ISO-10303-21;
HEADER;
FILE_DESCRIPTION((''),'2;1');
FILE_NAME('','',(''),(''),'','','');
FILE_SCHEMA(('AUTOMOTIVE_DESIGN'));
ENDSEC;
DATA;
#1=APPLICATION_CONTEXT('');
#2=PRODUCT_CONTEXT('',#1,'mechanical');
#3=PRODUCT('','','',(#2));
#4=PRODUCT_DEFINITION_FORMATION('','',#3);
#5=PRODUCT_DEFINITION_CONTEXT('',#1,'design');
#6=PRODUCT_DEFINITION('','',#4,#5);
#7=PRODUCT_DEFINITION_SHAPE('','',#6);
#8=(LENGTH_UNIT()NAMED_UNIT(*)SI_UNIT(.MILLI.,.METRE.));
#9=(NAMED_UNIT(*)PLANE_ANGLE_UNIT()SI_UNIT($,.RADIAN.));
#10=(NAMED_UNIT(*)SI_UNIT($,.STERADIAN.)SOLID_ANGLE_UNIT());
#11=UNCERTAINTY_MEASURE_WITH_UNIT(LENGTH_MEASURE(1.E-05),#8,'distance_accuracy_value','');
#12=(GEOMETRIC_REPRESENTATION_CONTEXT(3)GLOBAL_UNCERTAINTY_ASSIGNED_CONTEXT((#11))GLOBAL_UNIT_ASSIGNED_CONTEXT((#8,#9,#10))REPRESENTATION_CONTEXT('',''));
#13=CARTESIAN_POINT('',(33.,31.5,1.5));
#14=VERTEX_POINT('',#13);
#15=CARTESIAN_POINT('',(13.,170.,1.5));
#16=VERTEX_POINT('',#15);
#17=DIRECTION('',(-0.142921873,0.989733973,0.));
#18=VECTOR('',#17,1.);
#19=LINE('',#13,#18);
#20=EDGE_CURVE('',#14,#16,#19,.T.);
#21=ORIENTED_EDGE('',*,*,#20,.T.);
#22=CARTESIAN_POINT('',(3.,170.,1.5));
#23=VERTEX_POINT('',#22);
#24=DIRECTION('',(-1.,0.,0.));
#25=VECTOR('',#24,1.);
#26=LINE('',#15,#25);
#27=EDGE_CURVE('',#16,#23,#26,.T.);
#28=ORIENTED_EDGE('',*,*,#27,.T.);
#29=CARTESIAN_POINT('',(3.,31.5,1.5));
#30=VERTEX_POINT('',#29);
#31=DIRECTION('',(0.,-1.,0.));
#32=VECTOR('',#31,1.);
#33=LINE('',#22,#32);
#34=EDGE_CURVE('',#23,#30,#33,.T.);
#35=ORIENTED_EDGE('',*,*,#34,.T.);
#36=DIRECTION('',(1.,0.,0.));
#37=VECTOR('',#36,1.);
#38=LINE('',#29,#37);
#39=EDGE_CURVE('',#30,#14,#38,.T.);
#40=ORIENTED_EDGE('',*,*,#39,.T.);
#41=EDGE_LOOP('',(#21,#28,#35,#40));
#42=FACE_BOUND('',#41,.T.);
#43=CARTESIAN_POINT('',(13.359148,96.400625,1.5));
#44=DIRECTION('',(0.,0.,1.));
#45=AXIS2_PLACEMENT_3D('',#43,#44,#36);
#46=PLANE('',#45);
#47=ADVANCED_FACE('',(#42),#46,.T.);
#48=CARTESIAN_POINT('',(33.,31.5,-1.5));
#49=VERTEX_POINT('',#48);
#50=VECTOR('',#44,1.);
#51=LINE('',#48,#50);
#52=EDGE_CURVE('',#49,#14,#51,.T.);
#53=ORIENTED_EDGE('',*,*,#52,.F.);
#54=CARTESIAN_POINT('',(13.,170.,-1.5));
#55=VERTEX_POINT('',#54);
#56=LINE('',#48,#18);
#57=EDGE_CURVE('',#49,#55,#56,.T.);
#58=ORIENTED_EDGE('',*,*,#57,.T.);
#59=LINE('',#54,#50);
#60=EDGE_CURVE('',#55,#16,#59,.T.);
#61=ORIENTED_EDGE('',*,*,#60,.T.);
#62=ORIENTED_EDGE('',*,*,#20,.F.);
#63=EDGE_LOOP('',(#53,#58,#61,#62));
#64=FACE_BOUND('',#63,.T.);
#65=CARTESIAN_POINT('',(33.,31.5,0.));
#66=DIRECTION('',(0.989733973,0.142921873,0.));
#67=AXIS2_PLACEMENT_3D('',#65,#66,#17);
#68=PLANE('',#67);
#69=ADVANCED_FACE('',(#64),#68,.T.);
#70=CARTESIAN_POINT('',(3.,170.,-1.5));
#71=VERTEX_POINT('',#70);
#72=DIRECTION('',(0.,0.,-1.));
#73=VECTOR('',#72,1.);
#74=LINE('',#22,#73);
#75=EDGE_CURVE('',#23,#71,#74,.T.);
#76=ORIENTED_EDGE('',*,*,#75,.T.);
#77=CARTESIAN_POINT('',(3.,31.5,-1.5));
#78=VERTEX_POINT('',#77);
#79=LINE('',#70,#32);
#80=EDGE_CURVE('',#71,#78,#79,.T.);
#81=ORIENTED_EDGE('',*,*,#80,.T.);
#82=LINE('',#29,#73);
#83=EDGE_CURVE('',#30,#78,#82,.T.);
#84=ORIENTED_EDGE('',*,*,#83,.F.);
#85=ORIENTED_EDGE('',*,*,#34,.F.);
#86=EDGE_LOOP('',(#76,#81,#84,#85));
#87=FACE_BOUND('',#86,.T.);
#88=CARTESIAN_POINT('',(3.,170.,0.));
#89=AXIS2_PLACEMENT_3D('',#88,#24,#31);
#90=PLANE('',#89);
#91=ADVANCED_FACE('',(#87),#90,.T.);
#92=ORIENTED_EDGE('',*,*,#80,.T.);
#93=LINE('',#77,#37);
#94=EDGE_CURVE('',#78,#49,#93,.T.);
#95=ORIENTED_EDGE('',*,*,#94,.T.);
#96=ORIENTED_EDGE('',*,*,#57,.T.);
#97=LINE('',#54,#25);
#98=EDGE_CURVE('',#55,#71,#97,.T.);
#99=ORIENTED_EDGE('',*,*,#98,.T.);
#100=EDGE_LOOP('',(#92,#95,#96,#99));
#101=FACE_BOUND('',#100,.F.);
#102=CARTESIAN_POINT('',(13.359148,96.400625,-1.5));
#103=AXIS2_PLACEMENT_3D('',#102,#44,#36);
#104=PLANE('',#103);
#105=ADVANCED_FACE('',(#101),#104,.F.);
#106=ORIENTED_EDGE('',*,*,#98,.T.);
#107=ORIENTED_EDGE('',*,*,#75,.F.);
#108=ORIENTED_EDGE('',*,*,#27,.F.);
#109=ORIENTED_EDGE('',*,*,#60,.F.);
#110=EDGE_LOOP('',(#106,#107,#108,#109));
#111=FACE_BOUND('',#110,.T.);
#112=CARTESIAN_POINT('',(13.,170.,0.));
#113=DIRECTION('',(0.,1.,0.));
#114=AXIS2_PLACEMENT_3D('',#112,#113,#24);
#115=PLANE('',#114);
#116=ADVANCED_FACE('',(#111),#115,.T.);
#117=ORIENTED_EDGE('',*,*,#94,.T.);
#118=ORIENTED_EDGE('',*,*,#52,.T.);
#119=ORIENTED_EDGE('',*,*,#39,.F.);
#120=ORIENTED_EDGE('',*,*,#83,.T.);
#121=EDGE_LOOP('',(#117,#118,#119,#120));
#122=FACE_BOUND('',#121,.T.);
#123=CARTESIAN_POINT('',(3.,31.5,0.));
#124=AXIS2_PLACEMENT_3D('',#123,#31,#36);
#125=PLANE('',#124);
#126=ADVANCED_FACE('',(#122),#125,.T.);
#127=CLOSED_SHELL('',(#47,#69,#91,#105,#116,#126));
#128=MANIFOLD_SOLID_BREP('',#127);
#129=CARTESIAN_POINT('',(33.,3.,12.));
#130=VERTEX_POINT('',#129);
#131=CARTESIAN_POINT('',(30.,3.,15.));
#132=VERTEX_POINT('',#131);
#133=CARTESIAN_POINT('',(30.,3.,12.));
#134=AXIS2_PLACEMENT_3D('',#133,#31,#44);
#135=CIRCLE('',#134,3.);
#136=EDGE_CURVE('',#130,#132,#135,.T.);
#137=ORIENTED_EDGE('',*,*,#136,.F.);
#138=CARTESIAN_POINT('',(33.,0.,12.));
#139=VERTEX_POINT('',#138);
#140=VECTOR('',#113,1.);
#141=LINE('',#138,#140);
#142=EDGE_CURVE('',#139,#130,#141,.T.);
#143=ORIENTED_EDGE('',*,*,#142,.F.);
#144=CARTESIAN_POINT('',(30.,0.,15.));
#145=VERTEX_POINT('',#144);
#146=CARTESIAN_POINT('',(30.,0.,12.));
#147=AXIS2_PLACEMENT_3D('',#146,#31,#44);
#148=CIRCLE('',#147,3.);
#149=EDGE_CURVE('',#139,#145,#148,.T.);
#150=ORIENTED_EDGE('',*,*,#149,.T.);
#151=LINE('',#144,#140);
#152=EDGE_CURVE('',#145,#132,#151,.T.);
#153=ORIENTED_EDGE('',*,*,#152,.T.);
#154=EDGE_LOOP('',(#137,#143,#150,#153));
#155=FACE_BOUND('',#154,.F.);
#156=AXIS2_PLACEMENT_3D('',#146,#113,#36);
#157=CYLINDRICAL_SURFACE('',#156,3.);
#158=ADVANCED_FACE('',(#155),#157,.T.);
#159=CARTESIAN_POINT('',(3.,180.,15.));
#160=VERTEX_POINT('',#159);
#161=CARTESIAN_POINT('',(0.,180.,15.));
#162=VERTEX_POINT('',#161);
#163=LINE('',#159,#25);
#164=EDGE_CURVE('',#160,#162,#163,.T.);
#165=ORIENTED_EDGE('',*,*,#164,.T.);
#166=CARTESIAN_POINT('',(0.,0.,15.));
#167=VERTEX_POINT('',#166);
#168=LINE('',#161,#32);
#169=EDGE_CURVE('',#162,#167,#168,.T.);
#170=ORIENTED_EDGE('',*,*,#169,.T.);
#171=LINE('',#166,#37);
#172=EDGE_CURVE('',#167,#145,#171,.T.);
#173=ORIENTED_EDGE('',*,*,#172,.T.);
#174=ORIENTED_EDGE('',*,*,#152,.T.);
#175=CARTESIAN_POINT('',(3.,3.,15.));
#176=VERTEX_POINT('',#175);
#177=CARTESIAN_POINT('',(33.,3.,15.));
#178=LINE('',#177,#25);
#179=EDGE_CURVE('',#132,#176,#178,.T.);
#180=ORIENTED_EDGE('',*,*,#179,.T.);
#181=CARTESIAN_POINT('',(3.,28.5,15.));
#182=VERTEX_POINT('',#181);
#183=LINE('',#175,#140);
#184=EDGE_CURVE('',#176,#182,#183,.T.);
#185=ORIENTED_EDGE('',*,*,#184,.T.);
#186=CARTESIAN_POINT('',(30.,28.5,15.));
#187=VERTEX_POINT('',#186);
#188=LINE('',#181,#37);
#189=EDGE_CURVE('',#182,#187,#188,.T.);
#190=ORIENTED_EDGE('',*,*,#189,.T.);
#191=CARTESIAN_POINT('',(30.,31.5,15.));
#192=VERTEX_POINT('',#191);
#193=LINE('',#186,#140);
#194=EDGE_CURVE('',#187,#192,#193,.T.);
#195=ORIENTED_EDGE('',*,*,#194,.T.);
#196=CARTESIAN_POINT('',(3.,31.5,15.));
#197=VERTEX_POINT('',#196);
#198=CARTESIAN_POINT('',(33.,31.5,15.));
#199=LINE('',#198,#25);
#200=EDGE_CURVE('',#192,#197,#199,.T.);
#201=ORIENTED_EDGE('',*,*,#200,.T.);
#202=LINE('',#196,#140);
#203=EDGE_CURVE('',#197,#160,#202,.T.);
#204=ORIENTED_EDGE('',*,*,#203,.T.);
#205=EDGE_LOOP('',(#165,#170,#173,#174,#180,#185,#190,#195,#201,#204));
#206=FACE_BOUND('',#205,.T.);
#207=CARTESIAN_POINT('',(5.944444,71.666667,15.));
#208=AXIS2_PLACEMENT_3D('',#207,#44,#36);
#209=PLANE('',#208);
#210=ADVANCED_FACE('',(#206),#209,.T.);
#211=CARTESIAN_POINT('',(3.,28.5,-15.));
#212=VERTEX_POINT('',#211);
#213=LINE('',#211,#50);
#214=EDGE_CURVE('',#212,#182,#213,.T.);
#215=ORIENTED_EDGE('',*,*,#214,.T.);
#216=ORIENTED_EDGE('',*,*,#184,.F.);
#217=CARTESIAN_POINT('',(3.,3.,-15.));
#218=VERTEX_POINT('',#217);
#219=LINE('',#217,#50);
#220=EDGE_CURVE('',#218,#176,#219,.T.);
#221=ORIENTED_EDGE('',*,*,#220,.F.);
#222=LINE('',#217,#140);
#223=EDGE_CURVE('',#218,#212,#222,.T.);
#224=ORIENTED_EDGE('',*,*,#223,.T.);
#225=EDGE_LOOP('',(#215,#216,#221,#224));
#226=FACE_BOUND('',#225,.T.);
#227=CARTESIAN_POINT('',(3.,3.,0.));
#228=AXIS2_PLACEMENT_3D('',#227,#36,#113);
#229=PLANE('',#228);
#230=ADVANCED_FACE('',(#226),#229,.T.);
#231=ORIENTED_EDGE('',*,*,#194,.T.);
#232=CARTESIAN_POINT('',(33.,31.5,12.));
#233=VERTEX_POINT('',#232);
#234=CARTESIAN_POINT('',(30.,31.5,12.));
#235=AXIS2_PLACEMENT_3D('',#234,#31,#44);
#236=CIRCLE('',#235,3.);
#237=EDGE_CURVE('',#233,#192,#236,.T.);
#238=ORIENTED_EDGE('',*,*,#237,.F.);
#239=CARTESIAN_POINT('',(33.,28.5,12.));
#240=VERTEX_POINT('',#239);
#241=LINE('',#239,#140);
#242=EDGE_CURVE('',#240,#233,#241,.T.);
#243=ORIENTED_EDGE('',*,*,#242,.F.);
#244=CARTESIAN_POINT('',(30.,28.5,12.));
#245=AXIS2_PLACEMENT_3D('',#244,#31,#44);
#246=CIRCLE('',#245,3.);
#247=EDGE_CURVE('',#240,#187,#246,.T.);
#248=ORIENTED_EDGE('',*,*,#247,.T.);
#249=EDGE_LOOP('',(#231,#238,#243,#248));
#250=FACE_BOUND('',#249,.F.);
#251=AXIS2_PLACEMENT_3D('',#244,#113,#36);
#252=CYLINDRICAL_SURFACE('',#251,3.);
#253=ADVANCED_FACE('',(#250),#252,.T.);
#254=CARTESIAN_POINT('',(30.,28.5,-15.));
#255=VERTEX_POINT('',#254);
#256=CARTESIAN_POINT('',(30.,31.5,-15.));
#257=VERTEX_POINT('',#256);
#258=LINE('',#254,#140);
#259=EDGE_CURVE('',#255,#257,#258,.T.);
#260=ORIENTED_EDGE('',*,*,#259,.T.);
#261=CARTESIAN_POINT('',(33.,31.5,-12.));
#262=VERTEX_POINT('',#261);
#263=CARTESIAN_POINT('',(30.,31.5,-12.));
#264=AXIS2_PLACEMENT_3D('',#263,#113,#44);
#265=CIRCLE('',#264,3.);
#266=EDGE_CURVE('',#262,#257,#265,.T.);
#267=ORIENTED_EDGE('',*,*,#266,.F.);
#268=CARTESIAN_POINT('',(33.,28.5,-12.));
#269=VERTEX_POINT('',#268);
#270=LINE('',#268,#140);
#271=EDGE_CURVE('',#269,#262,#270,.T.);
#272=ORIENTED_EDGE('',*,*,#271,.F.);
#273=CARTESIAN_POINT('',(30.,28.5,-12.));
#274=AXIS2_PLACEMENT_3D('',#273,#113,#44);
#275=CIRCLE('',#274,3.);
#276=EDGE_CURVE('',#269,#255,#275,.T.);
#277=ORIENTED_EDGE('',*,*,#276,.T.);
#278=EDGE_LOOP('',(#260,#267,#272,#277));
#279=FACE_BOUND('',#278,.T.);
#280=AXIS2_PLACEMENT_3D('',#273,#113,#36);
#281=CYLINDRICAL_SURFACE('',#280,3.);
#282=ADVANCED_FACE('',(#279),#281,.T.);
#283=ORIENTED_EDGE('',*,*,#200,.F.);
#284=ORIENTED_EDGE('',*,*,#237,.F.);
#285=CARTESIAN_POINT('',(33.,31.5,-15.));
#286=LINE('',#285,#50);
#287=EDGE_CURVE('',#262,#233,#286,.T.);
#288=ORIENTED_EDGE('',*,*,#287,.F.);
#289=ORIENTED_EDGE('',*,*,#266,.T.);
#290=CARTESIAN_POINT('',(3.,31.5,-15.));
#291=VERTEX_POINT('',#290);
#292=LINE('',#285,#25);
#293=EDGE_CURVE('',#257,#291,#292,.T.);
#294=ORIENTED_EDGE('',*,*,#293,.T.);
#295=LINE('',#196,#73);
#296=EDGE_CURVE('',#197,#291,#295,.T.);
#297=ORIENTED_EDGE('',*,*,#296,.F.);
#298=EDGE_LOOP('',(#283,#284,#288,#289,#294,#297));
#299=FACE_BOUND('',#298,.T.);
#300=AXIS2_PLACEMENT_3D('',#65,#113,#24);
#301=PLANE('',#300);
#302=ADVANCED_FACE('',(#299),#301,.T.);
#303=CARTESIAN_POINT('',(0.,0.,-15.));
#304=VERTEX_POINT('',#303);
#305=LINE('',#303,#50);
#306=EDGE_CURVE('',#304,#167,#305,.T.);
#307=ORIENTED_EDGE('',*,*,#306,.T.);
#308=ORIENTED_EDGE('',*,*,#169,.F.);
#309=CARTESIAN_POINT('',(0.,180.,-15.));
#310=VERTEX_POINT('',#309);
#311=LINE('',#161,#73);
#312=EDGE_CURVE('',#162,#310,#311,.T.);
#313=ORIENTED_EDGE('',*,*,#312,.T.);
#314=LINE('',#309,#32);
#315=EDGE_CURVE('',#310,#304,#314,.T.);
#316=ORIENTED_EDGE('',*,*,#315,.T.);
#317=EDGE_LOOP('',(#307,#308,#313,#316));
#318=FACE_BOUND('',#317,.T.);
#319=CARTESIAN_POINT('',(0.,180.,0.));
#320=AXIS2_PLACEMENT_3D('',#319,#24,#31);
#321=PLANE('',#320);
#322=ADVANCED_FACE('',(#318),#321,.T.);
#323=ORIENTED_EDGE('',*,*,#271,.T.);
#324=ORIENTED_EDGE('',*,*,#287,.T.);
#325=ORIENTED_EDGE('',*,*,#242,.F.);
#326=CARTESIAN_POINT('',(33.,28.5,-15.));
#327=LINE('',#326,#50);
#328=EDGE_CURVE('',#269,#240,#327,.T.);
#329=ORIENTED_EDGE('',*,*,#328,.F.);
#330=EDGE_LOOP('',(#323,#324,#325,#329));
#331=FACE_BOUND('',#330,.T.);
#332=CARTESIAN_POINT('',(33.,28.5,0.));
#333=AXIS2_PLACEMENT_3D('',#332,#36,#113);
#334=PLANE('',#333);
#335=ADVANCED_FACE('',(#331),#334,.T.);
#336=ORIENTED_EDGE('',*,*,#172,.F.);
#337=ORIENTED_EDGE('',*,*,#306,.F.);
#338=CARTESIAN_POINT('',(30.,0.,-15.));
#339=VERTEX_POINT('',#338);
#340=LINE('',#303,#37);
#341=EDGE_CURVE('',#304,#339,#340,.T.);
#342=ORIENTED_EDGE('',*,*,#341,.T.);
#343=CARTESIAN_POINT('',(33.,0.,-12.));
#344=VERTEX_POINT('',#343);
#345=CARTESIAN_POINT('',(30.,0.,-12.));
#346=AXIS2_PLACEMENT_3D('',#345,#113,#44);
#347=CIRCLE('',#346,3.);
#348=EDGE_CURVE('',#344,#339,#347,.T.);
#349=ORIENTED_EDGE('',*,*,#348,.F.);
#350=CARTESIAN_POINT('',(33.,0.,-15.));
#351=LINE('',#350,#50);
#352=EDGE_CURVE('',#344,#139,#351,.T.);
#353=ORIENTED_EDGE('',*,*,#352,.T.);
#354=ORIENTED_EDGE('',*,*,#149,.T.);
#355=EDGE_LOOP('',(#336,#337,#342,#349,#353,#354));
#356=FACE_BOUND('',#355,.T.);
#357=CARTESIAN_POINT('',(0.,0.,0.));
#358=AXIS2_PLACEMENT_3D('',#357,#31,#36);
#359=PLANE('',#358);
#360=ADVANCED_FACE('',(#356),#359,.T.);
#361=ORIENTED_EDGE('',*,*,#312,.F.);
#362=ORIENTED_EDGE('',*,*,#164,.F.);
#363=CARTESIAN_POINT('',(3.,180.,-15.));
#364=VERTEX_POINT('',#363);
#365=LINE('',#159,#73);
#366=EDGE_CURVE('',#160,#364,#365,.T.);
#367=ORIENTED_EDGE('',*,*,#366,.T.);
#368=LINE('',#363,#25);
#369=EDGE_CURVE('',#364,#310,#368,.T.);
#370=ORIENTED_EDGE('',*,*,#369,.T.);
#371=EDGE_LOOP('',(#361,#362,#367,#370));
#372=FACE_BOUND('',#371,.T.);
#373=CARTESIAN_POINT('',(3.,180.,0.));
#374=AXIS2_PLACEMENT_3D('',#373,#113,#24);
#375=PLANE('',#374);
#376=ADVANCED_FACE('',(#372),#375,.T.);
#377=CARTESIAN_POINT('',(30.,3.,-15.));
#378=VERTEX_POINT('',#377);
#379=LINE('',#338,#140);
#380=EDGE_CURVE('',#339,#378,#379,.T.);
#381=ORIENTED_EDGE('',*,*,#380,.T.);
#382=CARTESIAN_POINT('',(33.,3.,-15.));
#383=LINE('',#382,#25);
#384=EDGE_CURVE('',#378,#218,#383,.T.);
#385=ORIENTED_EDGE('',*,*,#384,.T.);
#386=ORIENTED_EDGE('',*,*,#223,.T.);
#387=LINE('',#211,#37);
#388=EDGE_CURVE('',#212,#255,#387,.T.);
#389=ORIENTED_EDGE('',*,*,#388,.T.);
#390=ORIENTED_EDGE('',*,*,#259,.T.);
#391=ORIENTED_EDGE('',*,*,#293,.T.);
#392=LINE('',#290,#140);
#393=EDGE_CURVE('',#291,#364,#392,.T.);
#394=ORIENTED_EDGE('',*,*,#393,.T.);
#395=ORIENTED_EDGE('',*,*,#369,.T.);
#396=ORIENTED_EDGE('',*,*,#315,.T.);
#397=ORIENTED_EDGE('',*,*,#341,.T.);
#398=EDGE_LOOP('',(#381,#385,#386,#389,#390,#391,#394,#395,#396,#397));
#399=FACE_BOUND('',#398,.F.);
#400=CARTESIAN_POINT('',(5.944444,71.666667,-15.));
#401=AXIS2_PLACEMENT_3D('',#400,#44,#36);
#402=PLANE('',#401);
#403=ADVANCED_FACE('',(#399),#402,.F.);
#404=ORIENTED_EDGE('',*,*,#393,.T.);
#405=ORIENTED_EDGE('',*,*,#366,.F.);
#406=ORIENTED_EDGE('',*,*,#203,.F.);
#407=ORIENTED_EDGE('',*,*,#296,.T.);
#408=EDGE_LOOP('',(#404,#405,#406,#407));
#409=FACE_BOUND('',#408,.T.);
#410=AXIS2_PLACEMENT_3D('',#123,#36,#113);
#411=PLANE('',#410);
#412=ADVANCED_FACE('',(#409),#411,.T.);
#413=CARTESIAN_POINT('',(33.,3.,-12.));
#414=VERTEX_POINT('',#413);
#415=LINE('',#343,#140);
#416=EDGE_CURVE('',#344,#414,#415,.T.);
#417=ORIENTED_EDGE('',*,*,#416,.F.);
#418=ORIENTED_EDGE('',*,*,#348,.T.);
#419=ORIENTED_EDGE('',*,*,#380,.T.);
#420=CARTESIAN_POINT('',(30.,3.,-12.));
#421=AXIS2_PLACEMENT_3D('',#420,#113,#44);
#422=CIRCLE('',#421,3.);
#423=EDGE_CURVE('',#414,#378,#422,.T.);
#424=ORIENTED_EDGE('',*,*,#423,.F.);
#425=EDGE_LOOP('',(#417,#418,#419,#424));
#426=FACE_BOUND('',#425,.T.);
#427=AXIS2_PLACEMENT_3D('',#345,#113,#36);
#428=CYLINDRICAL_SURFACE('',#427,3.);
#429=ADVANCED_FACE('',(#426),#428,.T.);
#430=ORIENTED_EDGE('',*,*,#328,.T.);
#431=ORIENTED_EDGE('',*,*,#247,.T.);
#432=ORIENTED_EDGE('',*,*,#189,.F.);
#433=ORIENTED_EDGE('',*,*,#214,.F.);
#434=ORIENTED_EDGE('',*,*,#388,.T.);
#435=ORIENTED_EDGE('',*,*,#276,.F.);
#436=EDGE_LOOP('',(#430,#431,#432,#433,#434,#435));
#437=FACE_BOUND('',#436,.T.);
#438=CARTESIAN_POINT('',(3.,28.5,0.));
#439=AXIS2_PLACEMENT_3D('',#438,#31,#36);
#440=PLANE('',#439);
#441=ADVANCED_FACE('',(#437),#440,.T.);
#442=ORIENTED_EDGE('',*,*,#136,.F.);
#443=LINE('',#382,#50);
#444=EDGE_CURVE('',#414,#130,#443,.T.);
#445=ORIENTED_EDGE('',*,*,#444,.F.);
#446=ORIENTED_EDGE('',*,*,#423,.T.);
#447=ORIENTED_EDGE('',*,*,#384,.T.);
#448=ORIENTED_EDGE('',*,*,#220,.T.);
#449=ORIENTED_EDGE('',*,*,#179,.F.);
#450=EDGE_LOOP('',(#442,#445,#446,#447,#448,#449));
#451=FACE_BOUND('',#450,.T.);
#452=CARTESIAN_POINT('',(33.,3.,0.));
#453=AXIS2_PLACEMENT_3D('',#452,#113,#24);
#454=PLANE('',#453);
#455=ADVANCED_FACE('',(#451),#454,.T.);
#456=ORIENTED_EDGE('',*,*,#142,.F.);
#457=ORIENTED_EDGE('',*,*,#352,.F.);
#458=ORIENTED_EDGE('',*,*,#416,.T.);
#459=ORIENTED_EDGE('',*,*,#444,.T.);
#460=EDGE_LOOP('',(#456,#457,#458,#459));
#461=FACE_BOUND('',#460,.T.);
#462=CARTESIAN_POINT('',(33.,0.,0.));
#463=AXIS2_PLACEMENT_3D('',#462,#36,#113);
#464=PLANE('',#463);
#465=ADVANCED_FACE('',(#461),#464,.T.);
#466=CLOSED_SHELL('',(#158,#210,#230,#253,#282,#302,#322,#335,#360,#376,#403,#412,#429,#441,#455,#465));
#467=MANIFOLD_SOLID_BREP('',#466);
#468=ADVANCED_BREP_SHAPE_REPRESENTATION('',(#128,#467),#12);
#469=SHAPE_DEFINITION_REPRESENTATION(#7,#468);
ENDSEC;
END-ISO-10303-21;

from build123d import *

# Parameters (mm, degrees)
F1_DEPTH = 15
F3_DEPTH = 1.5
F4_R     = 3


with BuildPart() as f1:
    # F0 (on Top) → F1 (new body, symmetric)
    with BuildSketch(Plane.XY):
        Polygon((0, 180), (0, 0), (33, 0), (33, 3), (3, 3), (3, 28.5), (33, 28.5), (33, 31.5), (3, 31.5), (3, 180), align=None)
    extrude(amount=F1_DEPTH, both=True)

    # F4
    f4_edges = [f1.edges().sort_by_distance(p)[0] for p in [
        (33, 30, 15),
        (33, 1.5, 15),
        (33, 30, -15),
        (33, 1.5, -15),
    ]]
    fillet(f4_edges, radius=F4_R)


with BuildPart() as f3:
    # F2 (on Top) → F3 (new body, symmetric)
    with BuildSketch(Plane.XY):
        Polygon((3, 31.5), (33, 31.5), (13, 170), (3, 170), align=None)
    extrude(amount=F3_DEPTH, both=True)


solid = Compound([f1.part, f3.part])
